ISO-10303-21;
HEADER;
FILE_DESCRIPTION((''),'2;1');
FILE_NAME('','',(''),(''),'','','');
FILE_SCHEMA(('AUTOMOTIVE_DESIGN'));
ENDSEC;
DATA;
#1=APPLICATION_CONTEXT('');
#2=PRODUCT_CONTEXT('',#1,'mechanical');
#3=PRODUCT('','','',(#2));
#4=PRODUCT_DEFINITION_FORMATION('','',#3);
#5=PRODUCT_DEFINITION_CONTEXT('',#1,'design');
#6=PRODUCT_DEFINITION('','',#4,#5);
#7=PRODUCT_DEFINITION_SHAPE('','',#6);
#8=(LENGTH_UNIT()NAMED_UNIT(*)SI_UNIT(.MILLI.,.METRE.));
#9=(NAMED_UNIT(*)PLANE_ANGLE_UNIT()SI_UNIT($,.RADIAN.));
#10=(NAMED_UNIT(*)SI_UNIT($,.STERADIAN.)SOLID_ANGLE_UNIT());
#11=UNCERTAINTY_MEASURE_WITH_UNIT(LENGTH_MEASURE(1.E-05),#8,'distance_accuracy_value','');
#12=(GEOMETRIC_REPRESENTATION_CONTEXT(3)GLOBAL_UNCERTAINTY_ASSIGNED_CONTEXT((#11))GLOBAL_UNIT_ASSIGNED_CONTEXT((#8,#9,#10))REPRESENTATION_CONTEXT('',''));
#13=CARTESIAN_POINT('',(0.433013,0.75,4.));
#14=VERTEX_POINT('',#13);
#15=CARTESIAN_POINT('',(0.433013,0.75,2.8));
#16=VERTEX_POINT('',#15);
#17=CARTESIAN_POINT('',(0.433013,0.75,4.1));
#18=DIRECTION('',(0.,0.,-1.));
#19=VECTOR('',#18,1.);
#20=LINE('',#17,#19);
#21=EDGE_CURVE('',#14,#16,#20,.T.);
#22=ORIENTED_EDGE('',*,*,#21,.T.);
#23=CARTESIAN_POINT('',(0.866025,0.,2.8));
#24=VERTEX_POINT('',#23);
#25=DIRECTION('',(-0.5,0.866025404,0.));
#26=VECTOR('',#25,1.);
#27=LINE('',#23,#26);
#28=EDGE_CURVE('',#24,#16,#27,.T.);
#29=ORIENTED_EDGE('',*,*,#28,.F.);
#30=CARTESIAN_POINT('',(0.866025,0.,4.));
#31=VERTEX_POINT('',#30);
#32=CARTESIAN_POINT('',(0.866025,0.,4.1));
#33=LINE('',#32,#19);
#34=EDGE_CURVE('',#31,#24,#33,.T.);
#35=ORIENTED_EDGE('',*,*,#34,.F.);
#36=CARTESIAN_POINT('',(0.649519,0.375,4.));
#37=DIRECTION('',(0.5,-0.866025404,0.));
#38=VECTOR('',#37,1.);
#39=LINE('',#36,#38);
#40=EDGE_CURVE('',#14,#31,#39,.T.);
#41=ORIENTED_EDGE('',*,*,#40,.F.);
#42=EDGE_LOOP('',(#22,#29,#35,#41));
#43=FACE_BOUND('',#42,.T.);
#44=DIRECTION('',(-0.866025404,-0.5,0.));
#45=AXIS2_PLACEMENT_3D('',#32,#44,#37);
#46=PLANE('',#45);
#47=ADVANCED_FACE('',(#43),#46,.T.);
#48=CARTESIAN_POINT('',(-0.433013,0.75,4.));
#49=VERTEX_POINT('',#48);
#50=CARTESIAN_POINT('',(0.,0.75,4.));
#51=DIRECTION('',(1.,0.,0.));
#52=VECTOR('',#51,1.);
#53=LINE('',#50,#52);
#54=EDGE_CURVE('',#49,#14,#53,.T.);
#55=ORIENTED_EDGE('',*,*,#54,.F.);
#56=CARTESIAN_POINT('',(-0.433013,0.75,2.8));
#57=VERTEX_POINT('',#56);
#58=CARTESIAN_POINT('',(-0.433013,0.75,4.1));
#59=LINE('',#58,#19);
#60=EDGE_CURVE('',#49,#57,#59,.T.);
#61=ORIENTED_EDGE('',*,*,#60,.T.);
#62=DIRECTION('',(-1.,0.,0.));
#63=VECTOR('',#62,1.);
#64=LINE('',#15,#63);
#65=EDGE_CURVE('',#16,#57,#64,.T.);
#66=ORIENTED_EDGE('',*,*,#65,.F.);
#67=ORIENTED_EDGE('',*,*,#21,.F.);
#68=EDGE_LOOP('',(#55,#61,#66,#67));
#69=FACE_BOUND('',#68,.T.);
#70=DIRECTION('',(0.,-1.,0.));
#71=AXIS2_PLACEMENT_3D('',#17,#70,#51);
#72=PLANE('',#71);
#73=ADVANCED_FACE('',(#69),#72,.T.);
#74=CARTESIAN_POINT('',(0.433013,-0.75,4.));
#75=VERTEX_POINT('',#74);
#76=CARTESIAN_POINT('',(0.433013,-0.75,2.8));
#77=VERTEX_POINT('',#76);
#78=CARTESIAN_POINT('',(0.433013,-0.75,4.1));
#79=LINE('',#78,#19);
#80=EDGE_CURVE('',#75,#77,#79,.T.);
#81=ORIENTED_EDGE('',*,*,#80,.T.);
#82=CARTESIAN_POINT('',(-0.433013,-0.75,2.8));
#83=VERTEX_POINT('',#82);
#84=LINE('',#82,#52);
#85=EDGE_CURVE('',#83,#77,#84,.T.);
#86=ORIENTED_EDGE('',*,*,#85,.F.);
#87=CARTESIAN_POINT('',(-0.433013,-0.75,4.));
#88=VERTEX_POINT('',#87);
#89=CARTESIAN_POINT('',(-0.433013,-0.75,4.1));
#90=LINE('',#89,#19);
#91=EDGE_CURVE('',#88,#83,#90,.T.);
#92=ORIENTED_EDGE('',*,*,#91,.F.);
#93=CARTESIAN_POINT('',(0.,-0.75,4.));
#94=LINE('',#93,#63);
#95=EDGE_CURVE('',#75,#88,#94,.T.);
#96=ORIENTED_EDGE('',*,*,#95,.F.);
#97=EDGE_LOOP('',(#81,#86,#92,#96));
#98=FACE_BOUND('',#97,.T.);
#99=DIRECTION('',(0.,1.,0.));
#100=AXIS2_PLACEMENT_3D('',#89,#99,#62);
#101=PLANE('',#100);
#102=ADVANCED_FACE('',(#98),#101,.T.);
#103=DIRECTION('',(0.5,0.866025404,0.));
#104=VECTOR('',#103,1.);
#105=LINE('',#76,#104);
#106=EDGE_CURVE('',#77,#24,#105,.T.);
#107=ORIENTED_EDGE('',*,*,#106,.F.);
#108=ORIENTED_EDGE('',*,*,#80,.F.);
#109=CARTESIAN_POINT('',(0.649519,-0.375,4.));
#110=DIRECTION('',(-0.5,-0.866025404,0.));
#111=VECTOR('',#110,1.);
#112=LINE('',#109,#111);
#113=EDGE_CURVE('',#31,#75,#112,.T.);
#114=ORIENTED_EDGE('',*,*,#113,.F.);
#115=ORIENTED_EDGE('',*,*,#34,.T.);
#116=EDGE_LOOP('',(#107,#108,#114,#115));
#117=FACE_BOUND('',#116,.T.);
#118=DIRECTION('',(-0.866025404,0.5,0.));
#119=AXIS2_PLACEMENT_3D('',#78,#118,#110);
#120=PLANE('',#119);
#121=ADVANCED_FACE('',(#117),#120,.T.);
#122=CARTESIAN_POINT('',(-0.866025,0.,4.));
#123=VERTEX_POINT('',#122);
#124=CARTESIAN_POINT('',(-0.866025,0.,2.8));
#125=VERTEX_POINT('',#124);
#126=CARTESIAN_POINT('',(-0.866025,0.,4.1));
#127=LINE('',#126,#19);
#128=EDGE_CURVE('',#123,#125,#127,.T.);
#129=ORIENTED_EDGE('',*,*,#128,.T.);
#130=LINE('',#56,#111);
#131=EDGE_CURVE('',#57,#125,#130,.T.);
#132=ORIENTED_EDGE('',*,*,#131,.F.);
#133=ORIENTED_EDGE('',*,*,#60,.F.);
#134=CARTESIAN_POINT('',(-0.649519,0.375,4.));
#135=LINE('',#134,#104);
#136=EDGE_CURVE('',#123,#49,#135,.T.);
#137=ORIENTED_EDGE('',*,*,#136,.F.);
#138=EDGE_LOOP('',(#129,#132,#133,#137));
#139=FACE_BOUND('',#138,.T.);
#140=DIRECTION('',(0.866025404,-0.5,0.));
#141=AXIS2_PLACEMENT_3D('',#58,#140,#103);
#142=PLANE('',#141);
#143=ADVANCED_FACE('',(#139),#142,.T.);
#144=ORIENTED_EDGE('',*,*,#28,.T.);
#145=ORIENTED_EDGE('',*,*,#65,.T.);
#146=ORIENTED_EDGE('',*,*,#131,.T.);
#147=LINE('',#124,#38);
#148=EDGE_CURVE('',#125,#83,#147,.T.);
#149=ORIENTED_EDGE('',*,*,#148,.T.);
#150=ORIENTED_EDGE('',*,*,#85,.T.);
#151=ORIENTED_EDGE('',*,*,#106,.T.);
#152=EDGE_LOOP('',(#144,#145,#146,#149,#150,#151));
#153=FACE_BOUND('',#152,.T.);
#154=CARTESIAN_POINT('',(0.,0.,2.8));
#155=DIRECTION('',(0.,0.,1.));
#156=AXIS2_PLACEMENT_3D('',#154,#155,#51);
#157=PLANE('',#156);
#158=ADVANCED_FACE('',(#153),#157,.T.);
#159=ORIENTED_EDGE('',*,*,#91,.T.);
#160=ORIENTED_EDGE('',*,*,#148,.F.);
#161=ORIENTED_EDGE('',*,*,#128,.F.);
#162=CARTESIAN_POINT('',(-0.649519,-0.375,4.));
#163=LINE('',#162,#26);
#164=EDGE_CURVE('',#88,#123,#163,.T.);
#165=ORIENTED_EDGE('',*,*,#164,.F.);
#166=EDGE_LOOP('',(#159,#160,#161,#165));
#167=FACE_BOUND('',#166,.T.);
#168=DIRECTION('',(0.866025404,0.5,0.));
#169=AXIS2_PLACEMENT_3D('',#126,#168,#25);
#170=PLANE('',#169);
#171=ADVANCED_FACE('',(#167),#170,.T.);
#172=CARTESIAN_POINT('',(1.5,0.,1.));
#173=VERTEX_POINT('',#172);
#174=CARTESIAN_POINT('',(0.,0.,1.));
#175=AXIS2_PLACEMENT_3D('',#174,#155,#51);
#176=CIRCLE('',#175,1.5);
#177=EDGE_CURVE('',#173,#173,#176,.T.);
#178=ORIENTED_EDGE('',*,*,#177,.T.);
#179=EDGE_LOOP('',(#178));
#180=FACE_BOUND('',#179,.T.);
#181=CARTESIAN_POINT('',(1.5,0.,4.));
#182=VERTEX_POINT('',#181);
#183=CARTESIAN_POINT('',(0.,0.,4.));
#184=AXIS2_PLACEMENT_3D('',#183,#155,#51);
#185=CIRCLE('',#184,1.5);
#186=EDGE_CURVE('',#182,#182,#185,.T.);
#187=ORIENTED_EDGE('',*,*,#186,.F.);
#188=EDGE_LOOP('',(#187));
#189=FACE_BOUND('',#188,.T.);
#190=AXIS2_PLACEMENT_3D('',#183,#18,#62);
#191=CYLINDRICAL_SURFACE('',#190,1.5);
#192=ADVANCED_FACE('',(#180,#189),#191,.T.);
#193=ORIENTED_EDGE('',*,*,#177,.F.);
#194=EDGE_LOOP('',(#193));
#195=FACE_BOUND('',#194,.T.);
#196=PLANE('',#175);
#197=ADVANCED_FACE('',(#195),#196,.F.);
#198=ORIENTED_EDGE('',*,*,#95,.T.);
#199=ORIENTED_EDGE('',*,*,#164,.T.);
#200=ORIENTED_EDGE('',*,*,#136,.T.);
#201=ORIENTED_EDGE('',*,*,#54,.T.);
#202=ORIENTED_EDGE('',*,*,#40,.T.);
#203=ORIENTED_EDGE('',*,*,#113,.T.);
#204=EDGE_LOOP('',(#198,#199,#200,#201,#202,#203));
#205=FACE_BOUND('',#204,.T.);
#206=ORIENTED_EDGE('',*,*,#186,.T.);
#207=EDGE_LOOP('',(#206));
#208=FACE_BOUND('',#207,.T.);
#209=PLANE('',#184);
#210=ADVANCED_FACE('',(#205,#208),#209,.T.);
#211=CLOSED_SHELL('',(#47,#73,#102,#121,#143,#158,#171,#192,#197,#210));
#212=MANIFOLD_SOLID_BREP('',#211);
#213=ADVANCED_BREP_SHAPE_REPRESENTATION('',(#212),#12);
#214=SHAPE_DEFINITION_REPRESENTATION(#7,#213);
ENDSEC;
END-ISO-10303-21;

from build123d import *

# Parameters (mm, degrees)
S01_M3_HEADLESS_BODY_R                 = 1.5
F_01_M3_HEADLESS_BODY_DEPTH            = 4
F_02_START                             = 2.8
F_02_1_5_MM_HEX_SOCKET_DEPTH           = 1.3
THREE_START                            = 1
THREE_MILLIMETRE_SCREW_LENGTH_LAYOUT_R = 2
THREE_MILLIMETRE_SCREW_LENGTH_DEPTH    = 1.1


with BuildPart() as part:
    # S01 - M3 headless body → 01 - M3 headless body (new body)
    with BuildSketch(Plane.XY):
        Circle(S01_M3_HEADLESS_BODY_R)
    extrude(amount=F_01_M3_HEADLESS_BODY_DEPTH)

    # S02 - 1.5 mm hex socket → 02 - 1.5 mm hex socket (cut)
    with BuildSketch(Plane.XY.offset(F_02_START)):
        Polygon((0.866025404, 0), (0.433012702, 0.75), (-0.433012702, 0.75), (-0.866025404, 0), (-0.433012702, -0.75), (0.433012702, -0.75), align=None)
    extrude(amount=F_02_1_5_MM_HEX_SOCKET_DEPTH, mode=Mode.SUBTRACT)

    # Three millimetre screw length layout → Three millimetre screw length (cut)
    with BuildSketch(Plane.XY.offset(THREE_START)):
        Circle(THREE_MILLIMETRE_SCREW_LENGTH_LAYOUT_R)
    extrude(amount=-THREE_MILLIMETRE_SCREW_LENGTH_DEPTH, mode=Mode.SUBTRACT)


solid = part.part
